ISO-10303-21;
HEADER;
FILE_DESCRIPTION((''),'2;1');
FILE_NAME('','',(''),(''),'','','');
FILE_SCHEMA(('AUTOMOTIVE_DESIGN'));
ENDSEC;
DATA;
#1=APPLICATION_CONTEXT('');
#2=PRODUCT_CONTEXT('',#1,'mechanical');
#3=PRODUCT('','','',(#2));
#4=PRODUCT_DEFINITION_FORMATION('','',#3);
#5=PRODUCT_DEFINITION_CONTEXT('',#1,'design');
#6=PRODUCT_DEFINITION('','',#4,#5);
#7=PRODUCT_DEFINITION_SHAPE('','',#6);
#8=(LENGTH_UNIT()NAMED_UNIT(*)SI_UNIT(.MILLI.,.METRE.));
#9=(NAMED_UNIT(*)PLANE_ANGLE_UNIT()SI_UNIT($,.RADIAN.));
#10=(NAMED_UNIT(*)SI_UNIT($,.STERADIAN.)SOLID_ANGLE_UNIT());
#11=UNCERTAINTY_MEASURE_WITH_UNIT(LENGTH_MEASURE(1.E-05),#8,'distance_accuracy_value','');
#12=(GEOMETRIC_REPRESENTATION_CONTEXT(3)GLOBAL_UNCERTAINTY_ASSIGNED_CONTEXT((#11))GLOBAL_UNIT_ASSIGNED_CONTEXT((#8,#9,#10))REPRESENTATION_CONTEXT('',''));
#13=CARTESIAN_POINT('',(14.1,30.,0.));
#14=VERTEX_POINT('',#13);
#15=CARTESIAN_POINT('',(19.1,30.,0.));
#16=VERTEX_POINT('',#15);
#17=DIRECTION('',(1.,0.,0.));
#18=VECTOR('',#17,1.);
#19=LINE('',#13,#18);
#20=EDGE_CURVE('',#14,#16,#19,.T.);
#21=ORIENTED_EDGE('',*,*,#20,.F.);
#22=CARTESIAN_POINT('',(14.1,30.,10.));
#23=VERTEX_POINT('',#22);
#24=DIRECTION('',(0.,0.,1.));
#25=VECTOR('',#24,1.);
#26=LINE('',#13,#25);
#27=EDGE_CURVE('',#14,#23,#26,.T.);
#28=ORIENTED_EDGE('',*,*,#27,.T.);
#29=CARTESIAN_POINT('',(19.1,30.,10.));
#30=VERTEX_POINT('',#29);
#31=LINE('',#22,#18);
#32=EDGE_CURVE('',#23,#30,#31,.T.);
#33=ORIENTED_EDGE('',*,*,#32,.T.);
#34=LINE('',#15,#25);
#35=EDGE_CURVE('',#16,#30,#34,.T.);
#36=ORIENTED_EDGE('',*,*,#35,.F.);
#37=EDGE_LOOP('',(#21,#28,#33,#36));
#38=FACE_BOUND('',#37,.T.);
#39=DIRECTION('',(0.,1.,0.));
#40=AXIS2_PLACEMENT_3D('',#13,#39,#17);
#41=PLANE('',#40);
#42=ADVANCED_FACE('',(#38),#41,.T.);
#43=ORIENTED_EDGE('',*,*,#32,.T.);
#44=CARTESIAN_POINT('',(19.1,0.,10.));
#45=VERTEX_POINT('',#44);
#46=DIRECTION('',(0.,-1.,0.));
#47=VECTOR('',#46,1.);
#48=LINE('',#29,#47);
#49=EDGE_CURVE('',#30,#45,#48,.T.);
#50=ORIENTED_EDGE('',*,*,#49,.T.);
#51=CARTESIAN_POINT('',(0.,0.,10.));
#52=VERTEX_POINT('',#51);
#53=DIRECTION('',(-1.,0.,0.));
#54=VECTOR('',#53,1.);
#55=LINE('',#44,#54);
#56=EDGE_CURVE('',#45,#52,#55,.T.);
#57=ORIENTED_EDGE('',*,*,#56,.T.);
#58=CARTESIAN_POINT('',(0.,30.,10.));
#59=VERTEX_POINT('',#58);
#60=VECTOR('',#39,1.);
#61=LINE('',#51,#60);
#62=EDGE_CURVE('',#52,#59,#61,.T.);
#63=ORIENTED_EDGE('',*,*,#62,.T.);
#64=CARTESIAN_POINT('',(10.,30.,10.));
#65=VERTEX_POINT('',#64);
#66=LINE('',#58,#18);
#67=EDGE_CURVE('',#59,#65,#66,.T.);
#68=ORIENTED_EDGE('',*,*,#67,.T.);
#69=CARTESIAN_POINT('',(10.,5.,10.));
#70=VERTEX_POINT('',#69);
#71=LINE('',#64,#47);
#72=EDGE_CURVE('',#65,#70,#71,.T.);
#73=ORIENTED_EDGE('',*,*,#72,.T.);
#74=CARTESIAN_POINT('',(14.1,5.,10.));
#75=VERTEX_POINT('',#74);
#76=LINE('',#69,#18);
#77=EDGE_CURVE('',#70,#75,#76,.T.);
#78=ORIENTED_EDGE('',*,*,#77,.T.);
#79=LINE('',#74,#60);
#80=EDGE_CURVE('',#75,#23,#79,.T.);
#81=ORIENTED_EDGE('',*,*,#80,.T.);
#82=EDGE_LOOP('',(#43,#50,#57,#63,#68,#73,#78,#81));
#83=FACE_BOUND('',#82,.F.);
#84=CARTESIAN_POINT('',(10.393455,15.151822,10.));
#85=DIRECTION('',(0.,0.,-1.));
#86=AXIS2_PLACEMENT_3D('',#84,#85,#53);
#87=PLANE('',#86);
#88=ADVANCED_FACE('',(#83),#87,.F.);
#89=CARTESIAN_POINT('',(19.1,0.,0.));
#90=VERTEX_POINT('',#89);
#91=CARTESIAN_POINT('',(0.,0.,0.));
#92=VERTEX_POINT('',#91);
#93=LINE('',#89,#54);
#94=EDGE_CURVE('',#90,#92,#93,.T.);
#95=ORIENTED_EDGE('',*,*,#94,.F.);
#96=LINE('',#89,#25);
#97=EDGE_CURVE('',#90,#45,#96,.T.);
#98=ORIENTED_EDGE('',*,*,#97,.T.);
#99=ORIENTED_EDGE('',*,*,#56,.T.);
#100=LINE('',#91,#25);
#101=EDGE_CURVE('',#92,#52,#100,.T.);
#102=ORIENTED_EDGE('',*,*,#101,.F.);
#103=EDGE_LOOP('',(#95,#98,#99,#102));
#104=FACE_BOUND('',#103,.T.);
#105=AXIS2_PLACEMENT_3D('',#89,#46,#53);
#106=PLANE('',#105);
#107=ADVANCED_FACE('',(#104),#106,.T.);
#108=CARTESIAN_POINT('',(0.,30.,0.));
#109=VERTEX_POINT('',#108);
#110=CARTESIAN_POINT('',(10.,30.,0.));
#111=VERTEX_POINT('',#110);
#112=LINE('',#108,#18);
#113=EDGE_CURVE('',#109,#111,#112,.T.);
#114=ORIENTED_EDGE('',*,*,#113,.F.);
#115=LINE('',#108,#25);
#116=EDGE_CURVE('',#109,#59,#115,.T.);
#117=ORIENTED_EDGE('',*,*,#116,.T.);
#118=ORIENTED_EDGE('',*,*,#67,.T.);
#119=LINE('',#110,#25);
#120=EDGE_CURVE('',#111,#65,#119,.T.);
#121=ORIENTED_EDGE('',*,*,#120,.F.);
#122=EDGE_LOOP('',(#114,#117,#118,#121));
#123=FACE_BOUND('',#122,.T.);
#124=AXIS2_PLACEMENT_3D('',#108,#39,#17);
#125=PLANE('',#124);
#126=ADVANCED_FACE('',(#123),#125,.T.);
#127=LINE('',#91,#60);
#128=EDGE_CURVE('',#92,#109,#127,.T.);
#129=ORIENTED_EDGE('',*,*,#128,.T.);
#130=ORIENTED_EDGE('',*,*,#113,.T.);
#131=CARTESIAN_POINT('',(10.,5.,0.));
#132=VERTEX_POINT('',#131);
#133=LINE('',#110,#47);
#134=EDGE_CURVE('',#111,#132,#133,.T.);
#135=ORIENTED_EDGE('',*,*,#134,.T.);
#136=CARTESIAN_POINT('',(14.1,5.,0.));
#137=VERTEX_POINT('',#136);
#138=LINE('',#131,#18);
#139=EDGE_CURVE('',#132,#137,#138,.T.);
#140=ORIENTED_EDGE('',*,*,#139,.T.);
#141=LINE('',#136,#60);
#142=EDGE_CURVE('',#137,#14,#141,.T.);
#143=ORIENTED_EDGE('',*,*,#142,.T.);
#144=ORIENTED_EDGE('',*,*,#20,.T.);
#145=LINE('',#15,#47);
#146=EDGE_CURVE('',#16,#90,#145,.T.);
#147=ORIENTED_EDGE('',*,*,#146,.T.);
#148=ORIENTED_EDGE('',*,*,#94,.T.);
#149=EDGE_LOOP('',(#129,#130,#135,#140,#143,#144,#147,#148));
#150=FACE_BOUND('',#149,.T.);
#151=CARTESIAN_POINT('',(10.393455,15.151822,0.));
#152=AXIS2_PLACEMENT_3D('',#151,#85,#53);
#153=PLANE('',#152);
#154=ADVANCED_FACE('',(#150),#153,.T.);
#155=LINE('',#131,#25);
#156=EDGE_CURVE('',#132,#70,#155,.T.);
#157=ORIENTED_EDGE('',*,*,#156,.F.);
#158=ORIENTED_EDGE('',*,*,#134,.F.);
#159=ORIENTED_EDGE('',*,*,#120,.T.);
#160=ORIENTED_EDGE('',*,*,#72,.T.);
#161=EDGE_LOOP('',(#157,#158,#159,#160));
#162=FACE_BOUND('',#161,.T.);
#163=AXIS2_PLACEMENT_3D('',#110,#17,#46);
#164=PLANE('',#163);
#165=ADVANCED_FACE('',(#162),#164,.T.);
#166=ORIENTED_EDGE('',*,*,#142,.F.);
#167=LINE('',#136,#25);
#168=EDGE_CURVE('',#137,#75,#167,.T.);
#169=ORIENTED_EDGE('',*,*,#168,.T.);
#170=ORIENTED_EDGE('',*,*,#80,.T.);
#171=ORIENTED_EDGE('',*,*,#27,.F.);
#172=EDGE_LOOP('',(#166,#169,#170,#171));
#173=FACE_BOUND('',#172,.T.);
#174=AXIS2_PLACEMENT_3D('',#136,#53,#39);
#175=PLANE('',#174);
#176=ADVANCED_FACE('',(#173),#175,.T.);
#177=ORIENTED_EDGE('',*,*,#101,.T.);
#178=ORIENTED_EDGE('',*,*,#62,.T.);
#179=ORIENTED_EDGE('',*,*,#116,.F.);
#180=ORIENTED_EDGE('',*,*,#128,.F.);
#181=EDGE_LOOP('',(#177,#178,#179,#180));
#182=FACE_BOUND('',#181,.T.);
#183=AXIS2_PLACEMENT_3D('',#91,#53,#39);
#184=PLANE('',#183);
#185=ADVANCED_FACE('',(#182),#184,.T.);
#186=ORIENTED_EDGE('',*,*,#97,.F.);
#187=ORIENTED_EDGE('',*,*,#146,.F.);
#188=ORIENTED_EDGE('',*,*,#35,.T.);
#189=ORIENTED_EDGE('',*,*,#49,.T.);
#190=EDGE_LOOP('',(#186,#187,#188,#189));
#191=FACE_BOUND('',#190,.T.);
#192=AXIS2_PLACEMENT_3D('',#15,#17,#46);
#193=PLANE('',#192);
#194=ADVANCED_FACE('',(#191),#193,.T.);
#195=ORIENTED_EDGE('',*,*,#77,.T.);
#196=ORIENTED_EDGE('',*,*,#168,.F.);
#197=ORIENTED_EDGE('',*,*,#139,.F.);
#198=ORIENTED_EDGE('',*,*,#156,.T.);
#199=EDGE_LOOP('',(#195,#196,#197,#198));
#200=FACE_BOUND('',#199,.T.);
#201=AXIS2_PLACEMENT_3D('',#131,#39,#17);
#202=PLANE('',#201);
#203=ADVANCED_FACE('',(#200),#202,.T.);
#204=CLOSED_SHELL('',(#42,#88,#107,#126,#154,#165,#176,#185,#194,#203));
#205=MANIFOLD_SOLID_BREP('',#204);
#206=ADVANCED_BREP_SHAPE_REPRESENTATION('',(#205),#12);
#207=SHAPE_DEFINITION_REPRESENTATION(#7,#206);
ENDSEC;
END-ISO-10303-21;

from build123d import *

# Parameters (mm, degrees)
PAD_DEPTH = 10


with BuildPart() as part:
    # Sketch → Pad (new body)
    with BuildSketch(Plane.XY):
        Polygon((0, 30), (10, 30), (10, 5), (14.1, 5), (14.1, 30), (19.1, 30), (19.1, 0), (0, 0), align=None)
    extrude(amount=PAD_DEPTH)


solid = part.part
